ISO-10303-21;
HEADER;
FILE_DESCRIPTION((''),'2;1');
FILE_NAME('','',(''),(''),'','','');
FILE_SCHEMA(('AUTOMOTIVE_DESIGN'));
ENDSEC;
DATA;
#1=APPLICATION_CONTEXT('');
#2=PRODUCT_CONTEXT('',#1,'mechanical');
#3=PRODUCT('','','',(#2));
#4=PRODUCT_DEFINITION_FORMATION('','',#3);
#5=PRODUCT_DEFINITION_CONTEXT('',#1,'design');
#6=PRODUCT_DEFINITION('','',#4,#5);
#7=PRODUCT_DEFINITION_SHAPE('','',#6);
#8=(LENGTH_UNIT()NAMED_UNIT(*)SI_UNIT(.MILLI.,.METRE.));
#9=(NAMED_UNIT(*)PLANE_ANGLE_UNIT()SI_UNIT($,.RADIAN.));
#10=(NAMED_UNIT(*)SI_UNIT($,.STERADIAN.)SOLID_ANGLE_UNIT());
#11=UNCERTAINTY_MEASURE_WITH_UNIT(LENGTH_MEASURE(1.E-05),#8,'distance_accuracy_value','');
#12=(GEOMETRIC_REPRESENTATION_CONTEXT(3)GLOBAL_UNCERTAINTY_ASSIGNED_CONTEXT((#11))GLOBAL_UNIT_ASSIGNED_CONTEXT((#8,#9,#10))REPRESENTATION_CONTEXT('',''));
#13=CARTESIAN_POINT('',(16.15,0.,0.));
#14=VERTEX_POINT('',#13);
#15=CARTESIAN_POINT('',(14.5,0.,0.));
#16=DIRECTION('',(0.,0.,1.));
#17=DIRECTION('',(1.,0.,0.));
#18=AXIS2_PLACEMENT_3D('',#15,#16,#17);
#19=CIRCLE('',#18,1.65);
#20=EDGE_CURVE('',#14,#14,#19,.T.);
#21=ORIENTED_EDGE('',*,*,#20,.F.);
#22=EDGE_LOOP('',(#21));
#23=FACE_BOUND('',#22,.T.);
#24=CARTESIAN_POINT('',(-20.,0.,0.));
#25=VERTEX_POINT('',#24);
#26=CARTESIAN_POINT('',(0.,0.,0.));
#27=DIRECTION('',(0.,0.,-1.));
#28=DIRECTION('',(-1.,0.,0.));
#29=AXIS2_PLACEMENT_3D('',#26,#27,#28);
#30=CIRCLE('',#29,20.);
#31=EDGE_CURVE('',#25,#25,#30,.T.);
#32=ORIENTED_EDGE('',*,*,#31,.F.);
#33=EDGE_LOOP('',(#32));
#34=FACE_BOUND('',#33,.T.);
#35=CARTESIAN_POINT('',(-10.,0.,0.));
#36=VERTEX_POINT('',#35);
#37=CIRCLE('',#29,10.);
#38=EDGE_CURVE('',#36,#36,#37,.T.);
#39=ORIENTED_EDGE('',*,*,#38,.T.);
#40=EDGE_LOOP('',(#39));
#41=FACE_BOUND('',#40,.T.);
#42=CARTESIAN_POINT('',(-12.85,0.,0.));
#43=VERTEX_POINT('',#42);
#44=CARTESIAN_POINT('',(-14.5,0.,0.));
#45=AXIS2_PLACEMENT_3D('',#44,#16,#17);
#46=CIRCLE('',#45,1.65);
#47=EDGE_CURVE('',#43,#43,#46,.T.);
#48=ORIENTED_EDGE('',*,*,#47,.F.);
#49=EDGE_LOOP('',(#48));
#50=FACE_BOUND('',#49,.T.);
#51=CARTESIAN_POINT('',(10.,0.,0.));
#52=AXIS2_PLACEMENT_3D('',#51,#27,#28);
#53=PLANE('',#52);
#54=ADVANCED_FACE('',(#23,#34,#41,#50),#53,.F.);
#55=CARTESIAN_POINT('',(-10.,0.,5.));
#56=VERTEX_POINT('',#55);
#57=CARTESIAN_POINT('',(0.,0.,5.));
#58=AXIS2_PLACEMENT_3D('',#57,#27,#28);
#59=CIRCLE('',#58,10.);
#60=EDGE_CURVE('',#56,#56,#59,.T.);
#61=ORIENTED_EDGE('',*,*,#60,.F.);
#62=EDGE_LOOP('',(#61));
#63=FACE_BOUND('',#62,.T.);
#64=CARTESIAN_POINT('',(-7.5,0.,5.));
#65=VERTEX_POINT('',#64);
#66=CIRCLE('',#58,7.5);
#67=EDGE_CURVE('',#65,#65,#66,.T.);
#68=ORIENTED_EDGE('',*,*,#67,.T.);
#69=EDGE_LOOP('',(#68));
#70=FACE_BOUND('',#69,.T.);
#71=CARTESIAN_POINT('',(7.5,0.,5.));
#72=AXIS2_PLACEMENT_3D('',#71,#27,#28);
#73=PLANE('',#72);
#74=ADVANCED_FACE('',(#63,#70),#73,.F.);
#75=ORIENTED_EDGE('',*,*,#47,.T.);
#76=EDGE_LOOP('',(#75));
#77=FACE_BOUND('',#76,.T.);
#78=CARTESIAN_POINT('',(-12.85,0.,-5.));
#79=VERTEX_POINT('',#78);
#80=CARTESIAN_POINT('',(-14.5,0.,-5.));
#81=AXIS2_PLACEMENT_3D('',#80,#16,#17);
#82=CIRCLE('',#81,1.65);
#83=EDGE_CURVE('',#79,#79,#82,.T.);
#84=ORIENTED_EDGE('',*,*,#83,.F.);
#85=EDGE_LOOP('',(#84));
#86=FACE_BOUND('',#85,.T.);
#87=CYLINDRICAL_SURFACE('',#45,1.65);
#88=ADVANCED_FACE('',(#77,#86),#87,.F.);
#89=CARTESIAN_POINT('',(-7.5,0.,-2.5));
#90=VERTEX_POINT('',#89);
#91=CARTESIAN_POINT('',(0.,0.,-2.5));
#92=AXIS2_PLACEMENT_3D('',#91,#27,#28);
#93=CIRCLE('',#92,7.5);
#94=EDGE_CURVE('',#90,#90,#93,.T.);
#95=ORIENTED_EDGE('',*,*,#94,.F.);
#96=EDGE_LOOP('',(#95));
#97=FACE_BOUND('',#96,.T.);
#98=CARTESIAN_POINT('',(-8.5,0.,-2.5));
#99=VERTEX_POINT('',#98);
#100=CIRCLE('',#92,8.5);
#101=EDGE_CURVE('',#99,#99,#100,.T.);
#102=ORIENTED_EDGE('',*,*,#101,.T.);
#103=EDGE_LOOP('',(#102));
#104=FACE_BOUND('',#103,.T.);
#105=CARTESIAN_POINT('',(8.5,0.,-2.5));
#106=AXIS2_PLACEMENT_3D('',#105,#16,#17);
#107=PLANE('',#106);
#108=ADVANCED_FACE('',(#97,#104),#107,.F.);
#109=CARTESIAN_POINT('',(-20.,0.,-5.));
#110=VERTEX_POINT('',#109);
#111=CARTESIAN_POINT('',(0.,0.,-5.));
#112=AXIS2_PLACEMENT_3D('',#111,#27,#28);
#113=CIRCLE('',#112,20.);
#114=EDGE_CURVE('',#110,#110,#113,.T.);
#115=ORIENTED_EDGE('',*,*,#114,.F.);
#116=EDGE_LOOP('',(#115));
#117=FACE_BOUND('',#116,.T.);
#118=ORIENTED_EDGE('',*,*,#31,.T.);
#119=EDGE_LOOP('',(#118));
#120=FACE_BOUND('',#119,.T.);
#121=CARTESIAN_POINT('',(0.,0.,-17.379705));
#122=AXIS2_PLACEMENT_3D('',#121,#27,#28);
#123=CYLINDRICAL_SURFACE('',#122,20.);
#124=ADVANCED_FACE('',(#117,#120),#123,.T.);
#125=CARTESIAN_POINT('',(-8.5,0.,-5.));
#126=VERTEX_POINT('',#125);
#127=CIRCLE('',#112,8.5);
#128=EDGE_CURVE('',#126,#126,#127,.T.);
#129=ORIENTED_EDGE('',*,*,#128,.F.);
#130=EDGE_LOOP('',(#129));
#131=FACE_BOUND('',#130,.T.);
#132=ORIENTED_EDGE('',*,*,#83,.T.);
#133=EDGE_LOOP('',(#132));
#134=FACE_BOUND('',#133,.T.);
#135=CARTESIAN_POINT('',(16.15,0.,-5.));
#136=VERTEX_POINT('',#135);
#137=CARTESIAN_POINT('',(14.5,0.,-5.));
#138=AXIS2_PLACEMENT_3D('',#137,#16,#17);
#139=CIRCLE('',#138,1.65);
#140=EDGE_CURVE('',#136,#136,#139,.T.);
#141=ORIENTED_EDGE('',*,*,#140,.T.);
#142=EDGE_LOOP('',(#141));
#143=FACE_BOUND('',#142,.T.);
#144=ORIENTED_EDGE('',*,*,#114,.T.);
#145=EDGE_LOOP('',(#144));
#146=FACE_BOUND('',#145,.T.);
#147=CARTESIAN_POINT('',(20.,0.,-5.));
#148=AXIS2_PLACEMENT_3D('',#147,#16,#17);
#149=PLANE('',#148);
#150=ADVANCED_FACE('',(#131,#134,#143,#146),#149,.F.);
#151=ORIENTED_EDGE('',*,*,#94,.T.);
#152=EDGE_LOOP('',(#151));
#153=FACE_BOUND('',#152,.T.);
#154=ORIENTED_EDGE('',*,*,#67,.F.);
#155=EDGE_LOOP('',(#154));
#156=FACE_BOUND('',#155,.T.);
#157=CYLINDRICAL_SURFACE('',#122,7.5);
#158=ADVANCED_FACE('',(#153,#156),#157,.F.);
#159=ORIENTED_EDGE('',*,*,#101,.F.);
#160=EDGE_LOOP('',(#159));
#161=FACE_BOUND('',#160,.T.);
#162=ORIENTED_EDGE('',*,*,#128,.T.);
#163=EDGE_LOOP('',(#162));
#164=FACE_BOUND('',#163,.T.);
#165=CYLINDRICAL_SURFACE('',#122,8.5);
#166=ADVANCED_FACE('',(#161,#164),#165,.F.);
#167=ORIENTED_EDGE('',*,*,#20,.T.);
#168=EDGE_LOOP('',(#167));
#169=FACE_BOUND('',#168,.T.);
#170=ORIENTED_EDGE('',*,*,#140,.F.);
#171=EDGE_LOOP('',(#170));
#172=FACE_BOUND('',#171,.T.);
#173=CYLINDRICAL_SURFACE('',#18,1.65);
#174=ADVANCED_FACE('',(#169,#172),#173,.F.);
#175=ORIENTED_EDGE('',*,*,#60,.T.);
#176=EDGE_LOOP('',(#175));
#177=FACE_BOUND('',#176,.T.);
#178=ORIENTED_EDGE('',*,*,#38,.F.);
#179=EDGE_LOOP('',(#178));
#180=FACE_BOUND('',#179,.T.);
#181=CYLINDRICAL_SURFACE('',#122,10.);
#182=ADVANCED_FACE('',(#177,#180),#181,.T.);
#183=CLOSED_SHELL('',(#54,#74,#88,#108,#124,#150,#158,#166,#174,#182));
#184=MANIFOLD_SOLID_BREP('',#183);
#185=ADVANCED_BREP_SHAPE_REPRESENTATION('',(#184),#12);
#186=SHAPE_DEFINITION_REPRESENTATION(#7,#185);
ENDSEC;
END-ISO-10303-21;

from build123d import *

# Parameters (mm, degrees)
M4X0_7_TAPPED_HOLE1_D = 3.3


with BuildPart() as part:
    # Sketch2 → Revolve1 (revolve)
    with BuildSketch(Plane(origin=(0, 0, 0), x_dir=(1, 0, 0), z_dir=(0, 1, 0)), mode=Mode.PRIVATE) as revolve1_sk:
        Polygon((7.5, -5), (10, -5), (10, 0), (20, 0), (20, 5), (8.5, 5), (8.5, 2.5), (7.5, 2.5), align=None)
    revolve(revolve1_sk.sketch.rotate(Axis((0, 0, -17.379705215), (0, 0, 1)), 180), axis=Axis((0, 0, -17.379705215), (0, 0, 1)))

    # M4x0.7 Tapped Hole1 (through all)
    with Locations(Plane.XY):
        with Locations((-14.5, 0), (14.5, 0)):
            Hole(M4X0_7_TAPPED_HOLE1_D / 2)


solid = part.part
